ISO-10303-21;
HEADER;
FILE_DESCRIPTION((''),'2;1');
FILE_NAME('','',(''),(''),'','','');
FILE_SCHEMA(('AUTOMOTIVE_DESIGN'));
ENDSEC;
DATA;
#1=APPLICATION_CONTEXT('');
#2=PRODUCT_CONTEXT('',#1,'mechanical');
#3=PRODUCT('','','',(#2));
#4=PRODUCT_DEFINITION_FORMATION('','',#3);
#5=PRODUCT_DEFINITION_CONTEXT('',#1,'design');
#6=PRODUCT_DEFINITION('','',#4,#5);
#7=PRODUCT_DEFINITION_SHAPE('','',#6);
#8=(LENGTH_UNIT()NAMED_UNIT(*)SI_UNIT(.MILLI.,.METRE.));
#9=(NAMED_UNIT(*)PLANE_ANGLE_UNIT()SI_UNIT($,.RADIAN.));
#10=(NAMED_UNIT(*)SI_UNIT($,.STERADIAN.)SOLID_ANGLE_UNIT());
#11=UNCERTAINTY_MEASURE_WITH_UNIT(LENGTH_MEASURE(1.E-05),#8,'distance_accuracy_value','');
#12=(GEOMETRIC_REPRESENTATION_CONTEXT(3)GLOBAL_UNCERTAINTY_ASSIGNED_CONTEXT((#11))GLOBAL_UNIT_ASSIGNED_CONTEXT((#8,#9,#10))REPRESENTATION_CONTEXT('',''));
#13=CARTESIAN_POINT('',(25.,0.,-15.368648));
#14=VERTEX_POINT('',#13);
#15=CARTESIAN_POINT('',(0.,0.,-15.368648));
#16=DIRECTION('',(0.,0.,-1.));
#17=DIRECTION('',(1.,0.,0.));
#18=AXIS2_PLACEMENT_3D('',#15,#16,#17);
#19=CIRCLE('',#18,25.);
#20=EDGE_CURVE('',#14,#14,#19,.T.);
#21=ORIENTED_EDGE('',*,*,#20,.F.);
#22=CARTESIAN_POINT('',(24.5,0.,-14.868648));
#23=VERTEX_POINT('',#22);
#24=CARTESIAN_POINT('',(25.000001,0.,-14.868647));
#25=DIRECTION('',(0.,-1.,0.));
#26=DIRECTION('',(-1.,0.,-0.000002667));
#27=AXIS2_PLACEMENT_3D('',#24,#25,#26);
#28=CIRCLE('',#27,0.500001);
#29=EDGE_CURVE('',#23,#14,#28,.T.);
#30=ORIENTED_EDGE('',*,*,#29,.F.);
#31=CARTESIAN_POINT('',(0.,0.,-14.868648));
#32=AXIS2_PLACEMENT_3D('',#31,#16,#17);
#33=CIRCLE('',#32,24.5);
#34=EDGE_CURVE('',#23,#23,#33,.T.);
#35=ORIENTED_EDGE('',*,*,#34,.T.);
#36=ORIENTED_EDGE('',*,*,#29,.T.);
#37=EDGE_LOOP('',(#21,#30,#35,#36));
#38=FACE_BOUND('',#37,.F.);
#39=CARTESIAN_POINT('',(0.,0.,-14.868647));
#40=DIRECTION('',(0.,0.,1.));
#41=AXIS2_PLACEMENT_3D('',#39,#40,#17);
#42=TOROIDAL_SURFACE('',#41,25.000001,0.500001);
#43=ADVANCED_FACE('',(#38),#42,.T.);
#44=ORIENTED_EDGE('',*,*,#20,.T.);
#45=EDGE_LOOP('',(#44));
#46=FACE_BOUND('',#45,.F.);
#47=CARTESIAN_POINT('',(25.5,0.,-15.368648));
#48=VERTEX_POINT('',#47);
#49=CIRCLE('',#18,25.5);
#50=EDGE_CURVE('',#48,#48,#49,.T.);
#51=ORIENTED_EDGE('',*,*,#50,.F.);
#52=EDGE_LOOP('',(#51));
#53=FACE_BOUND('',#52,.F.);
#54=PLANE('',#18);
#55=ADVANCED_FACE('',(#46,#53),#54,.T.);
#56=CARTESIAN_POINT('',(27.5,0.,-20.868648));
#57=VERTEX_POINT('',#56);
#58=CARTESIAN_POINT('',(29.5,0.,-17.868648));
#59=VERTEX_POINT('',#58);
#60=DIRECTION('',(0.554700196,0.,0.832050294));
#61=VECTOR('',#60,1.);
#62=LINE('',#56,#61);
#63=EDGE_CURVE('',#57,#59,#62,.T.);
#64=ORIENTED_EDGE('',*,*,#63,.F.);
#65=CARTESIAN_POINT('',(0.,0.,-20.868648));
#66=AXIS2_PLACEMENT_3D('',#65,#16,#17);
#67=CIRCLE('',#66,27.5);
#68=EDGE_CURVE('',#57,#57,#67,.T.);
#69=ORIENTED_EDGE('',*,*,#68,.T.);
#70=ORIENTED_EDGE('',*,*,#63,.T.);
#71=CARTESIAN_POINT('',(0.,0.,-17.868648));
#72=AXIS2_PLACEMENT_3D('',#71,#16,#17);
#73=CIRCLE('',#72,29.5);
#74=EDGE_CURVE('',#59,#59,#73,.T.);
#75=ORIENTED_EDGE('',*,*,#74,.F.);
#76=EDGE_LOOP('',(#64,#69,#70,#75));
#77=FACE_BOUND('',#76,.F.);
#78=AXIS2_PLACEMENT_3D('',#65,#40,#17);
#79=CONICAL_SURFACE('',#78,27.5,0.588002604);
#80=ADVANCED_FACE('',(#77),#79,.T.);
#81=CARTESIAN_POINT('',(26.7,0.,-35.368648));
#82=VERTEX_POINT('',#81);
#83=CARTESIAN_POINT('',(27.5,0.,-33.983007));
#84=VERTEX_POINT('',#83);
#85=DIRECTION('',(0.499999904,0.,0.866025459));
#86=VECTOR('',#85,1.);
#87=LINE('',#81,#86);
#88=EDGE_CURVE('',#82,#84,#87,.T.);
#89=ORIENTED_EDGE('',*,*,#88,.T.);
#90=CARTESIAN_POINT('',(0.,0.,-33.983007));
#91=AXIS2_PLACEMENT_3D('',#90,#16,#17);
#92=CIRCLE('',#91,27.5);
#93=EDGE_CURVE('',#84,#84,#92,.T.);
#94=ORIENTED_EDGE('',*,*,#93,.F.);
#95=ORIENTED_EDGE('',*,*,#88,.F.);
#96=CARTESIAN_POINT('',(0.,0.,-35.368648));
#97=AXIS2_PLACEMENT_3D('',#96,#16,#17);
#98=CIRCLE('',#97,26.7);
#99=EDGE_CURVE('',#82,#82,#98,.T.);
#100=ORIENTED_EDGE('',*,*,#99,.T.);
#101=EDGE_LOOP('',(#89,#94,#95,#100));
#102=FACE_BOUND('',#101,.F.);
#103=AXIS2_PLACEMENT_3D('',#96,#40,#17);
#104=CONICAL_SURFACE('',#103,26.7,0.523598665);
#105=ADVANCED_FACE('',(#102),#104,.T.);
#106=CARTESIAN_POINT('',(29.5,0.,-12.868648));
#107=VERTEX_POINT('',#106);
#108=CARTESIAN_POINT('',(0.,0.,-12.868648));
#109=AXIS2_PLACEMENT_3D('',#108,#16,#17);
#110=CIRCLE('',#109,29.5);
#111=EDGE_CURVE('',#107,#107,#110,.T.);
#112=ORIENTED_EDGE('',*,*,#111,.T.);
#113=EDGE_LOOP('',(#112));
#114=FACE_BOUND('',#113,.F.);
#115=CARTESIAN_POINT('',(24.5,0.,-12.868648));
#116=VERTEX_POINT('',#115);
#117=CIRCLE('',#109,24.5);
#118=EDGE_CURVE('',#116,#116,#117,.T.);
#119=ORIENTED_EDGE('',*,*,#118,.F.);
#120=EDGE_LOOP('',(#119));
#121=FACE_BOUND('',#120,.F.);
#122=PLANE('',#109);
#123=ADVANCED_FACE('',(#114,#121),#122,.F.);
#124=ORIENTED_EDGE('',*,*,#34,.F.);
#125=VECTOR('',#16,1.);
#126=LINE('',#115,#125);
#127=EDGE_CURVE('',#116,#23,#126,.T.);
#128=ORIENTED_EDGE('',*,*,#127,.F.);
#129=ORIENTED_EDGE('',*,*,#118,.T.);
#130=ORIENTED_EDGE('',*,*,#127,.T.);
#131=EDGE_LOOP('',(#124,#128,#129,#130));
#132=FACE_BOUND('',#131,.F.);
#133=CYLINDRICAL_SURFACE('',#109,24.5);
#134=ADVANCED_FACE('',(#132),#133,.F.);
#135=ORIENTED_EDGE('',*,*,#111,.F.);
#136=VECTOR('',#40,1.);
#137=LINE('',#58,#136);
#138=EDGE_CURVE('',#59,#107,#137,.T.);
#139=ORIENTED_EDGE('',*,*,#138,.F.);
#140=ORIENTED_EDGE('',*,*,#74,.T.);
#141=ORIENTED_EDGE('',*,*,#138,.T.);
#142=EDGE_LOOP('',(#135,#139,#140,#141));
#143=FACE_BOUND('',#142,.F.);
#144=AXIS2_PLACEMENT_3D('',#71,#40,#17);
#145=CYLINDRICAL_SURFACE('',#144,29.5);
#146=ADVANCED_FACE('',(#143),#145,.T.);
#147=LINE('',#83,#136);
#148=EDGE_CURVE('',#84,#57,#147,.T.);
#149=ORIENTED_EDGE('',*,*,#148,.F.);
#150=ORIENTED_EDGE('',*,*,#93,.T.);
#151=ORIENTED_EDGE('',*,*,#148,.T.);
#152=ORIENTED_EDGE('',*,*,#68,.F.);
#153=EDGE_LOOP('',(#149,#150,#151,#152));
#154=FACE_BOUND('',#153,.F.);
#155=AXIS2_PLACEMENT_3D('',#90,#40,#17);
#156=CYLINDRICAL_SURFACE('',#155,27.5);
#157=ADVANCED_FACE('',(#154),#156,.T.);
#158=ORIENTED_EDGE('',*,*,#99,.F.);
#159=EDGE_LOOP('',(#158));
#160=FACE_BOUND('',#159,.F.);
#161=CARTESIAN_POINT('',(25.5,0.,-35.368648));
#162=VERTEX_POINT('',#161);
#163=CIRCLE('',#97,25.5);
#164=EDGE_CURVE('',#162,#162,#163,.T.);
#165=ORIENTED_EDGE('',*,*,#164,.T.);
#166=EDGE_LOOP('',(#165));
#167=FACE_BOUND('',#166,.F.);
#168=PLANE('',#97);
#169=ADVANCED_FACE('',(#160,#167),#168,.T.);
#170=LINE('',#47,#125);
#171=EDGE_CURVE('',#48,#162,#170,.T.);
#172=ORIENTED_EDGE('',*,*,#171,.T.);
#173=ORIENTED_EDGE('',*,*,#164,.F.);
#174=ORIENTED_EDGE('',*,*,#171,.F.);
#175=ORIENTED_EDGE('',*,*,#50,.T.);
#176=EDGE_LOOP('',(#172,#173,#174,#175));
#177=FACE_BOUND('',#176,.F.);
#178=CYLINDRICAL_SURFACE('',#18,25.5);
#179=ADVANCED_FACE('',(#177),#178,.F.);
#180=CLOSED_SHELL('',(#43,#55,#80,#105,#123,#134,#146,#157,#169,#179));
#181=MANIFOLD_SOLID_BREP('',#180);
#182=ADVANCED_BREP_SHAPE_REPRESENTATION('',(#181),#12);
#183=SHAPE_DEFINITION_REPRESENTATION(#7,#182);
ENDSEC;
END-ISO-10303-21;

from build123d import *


with BuildPart() as f1:
    # F0 (on Front) → F1 (revolve)
    with BuildSketch(Plane.XZ):
        with BuildLine():
            Line((29.5, -12.868648), (24.5, -12.868648))
            Line((24.5, -12.868648), (24.5, -14.868648))
            ThreePointArc((24.5, -14.868648), (24.646447, -15.222201), (25, -15.368648))
            Line((25, -15.368648), (25.5, -15.368648))
            Line((25.5, -15.368648), (25.5, -35.368648))
            Line((25.5, -35.368648), (26.7, -35.368648))
            Line((26.7, -35.368648), (27.5, -33.983007))
            Line((27.5, -33.983007), (27.5, -20.868648))
            Line((27.5, -20.868648), (29.5, -17.868648))
            Line((29.5, -17.868648), (29.5, -12.868648))
        make_face()
    revolve(axis=Axis((0, 0, 5.618644), (0, 0, -1)))


solid = f1.part
